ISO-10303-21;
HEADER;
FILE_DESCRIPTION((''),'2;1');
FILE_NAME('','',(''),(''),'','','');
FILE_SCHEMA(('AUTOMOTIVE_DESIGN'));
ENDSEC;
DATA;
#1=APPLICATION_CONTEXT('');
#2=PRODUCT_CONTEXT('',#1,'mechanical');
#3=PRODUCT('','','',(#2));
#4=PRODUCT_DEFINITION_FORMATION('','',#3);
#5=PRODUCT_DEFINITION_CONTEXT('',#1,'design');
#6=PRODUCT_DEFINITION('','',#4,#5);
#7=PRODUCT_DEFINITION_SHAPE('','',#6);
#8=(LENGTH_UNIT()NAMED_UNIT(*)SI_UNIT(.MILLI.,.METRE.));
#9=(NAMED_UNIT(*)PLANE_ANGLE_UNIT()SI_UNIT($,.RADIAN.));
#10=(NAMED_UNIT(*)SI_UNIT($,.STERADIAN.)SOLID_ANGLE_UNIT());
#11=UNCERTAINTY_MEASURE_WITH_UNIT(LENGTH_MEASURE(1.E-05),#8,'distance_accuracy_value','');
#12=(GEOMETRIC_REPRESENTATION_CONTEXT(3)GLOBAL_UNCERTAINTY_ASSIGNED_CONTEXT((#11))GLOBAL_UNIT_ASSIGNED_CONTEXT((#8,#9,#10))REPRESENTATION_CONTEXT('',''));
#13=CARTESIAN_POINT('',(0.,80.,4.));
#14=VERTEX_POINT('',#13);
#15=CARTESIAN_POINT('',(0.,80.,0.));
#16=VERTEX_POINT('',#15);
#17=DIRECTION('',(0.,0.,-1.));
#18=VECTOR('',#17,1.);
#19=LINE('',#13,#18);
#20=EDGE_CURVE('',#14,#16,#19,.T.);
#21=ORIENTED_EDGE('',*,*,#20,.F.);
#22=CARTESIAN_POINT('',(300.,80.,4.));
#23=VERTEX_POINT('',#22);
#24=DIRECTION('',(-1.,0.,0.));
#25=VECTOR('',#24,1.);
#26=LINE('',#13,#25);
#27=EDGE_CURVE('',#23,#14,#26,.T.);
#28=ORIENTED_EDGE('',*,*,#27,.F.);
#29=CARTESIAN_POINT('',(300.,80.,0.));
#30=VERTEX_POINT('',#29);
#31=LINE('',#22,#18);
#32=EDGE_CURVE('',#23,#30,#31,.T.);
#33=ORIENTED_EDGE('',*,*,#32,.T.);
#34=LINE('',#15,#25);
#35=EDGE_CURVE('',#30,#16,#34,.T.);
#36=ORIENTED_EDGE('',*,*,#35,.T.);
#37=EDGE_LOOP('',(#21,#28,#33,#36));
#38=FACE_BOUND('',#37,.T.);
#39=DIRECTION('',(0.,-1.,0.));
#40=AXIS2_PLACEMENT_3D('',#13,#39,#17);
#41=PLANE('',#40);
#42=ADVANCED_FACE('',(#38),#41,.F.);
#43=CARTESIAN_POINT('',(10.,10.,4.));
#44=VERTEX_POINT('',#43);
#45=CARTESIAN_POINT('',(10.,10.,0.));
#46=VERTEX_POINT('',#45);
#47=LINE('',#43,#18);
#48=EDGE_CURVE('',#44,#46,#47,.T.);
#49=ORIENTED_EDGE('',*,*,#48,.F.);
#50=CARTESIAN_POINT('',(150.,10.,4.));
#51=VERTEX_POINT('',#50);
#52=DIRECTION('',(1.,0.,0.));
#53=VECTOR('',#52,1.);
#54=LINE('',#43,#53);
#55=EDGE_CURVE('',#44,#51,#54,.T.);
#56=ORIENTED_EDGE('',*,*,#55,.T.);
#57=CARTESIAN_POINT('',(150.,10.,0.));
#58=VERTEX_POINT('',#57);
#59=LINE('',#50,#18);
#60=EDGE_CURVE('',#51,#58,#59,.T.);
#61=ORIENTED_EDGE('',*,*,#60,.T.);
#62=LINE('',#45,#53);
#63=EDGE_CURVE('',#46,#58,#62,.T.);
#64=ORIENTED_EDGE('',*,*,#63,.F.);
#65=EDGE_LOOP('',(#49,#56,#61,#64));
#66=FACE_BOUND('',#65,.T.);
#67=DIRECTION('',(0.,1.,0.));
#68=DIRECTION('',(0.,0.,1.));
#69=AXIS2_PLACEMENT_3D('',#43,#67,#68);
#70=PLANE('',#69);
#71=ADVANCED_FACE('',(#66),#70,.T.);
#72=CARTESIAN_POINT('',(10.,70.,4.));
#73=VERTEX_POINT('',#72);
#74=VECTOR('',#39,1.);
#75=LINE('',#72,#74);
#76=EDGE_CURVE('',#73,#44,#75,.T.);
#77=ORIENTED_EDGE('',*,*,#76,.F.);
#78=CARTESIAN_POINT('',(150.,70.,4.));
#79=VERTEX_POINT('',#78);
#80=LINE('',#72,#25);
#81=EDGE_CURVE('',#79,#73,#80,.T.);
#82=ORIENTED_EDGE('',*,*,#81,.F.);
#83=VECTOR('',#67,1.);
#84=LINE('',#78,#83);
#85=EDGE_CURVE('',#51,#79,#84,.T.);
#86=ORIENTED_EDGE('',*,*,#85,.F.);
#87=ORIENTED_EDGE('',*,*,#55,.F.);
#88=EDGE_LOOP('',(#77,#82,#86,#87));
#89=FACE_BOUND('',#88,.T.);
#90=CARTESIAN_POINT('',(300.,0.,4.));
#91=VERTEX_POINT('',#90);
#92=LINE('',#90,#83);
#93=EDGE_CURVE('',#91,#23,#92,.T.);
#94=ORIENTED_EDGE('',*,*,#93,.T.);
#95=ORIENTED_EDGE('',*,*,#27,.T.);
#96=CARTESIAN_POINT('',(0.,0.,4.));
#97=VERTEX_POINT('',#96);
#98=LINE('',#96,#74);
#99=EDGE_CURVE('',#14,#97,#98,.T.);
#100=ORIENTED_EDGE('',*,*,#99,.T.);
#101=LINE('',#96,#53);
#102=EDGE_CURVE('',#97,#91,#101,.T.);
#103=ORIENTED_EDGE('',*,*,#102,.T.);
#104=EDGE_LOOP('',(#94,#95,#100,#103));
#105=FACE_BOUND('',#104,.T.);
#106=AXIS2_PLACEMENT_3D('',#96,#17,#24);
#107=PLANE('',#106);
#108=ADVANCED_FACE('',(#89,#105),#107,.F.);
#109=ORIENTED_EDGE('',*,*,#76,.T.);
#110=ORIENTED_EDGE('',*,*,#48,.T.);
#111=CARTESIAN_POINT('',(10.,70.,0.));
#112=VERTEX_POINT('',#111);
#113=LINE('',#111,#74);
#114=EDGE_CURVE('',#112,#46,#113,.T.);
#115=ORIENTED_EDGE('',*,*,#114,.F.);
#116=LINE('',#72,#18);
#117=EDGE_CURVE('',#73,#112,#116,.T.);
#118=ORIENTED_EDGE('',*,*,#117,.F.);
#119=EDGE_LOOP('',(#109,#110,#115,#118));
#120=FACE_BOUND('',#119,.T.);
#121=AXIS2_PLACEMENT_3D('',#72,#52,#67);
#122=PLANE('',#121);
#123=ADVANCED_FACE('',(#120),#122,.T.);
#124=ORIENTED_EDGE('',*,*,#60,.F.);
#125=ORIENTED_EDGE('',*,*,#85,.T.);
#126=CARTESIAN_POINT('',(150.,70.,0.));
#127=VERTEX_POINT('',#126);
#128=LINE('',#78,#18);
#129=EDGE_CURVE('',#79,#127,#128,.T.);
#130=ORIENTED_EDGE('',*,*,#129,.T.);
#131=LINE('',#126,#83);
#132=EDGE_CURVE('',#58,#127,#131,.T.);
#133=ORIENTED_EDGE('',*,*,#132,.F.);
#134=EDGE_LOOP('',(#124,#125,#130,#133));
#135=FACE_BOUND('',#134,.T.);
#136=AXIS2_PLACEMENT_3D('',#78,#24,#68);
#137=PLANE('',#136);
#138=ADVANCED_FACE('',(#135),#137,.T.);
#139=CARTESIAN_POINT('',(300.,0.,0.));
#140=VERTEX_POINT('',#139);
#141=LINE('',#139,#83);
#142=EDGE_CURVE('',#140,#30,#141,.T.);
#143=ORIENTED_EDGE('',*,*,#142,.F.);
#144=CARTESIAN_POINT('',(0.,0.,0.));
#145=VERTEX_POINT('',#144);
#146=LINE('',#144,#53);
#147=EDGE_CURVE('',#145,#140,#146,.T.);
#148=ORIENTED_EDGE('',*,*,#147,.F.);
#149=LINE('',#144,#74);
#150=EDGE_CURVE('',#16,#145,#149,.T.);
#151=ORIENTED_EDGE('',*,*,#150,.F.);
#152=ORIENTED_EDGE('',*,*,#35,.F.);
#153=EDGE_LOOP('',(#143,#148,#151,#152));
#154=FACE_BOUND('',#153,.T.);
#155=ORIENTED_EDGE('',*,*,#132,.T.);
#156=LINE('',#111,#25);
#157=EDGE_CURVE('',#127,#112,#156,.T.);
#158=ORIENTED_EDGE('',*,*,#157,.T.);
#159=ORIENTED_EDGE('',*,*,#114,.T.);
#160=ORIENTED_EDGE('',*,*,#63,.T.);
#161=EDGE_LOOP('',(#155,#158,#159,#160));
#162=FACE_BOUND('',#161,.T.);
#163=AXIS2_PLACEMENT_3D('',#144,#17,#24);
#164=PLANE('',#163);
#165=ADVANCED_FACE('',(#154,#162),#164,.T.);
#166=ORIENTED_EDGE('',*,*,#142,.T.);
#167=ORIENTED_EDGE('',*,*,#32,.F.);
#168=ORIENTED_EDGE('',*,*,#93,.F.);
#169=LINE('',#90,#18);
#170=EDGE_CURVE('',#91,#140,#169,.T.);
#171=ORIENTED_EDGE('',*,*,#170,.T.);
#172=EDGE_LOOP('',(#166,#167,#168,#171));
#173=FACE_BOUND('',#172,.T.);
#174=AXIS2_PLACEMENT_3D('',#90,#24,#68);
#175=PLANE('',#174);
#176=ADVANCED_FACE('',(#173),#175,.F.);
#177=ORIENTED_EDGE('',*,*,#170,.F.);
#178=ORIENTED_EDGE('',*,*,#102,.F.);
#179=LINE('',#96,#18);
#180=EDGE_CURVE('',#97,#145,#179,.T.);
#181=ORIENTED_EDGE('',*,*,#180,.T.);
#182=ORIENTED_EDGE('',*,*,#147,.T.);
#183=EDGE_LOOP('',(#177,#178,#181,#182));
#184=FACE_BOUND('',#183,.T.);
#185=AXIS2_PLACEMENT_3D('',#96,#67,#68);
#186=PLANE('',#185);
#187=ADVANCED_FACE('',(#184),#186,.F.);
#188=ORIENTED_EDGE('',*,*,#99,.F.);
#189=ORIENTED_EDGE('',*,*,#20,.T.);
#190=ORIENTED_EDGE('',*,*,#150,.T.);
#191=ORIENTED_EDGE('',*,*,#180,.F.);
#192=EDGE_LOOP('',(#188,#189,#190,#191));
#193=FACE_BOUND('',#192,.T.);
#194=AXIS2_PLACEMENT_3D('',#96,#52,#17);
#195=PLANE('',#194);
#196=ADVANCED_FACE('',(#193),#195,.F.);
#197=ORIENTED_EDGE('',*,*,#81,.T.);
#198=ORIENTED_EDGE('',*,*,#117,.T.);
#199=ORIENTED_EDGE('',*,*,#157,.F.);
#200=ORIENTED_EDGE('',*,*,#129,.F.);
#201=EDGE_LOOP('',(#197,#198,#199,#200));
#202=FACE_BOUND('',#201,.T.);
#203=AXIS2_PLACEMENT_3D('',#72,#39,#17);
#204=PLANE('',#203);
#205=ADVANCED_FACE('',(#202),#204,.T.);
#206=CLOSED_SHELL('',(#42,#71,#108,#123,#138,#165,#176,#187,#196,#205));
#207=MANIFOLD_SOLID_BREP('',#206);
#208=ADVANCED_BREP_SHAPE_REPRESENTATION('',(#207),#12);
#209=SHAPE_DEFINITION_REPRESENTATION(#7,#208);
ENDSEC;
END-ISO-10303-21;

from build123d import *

# Parameters (mm, degrees)
CROQUIS1_W              = 300
CROQUIS1_H              = 80
CROQUIS1_W_2            = 140
CROQUIS1_H_2            = 60
SALIENTE_EXTRUIR1_DEPTH = 4


with BuildPart() as part:
    # Croquis1 → Saliente-Extruir1 (new body)
    with BuildSketch(Plane.XY):
        with Locations((150, 40)):
            Rectangle(CROQUIS1_W, CROQUIS1_H)
        with Locations((80, 40)):
            Rectangle(CROQUIS1_W_2, CROQUIS1_H_2, mode=Mode.SUBTRACT)
    extrude(amount=SALIENTE_EXTRUIR1_DEPTH)


solid = part.part
